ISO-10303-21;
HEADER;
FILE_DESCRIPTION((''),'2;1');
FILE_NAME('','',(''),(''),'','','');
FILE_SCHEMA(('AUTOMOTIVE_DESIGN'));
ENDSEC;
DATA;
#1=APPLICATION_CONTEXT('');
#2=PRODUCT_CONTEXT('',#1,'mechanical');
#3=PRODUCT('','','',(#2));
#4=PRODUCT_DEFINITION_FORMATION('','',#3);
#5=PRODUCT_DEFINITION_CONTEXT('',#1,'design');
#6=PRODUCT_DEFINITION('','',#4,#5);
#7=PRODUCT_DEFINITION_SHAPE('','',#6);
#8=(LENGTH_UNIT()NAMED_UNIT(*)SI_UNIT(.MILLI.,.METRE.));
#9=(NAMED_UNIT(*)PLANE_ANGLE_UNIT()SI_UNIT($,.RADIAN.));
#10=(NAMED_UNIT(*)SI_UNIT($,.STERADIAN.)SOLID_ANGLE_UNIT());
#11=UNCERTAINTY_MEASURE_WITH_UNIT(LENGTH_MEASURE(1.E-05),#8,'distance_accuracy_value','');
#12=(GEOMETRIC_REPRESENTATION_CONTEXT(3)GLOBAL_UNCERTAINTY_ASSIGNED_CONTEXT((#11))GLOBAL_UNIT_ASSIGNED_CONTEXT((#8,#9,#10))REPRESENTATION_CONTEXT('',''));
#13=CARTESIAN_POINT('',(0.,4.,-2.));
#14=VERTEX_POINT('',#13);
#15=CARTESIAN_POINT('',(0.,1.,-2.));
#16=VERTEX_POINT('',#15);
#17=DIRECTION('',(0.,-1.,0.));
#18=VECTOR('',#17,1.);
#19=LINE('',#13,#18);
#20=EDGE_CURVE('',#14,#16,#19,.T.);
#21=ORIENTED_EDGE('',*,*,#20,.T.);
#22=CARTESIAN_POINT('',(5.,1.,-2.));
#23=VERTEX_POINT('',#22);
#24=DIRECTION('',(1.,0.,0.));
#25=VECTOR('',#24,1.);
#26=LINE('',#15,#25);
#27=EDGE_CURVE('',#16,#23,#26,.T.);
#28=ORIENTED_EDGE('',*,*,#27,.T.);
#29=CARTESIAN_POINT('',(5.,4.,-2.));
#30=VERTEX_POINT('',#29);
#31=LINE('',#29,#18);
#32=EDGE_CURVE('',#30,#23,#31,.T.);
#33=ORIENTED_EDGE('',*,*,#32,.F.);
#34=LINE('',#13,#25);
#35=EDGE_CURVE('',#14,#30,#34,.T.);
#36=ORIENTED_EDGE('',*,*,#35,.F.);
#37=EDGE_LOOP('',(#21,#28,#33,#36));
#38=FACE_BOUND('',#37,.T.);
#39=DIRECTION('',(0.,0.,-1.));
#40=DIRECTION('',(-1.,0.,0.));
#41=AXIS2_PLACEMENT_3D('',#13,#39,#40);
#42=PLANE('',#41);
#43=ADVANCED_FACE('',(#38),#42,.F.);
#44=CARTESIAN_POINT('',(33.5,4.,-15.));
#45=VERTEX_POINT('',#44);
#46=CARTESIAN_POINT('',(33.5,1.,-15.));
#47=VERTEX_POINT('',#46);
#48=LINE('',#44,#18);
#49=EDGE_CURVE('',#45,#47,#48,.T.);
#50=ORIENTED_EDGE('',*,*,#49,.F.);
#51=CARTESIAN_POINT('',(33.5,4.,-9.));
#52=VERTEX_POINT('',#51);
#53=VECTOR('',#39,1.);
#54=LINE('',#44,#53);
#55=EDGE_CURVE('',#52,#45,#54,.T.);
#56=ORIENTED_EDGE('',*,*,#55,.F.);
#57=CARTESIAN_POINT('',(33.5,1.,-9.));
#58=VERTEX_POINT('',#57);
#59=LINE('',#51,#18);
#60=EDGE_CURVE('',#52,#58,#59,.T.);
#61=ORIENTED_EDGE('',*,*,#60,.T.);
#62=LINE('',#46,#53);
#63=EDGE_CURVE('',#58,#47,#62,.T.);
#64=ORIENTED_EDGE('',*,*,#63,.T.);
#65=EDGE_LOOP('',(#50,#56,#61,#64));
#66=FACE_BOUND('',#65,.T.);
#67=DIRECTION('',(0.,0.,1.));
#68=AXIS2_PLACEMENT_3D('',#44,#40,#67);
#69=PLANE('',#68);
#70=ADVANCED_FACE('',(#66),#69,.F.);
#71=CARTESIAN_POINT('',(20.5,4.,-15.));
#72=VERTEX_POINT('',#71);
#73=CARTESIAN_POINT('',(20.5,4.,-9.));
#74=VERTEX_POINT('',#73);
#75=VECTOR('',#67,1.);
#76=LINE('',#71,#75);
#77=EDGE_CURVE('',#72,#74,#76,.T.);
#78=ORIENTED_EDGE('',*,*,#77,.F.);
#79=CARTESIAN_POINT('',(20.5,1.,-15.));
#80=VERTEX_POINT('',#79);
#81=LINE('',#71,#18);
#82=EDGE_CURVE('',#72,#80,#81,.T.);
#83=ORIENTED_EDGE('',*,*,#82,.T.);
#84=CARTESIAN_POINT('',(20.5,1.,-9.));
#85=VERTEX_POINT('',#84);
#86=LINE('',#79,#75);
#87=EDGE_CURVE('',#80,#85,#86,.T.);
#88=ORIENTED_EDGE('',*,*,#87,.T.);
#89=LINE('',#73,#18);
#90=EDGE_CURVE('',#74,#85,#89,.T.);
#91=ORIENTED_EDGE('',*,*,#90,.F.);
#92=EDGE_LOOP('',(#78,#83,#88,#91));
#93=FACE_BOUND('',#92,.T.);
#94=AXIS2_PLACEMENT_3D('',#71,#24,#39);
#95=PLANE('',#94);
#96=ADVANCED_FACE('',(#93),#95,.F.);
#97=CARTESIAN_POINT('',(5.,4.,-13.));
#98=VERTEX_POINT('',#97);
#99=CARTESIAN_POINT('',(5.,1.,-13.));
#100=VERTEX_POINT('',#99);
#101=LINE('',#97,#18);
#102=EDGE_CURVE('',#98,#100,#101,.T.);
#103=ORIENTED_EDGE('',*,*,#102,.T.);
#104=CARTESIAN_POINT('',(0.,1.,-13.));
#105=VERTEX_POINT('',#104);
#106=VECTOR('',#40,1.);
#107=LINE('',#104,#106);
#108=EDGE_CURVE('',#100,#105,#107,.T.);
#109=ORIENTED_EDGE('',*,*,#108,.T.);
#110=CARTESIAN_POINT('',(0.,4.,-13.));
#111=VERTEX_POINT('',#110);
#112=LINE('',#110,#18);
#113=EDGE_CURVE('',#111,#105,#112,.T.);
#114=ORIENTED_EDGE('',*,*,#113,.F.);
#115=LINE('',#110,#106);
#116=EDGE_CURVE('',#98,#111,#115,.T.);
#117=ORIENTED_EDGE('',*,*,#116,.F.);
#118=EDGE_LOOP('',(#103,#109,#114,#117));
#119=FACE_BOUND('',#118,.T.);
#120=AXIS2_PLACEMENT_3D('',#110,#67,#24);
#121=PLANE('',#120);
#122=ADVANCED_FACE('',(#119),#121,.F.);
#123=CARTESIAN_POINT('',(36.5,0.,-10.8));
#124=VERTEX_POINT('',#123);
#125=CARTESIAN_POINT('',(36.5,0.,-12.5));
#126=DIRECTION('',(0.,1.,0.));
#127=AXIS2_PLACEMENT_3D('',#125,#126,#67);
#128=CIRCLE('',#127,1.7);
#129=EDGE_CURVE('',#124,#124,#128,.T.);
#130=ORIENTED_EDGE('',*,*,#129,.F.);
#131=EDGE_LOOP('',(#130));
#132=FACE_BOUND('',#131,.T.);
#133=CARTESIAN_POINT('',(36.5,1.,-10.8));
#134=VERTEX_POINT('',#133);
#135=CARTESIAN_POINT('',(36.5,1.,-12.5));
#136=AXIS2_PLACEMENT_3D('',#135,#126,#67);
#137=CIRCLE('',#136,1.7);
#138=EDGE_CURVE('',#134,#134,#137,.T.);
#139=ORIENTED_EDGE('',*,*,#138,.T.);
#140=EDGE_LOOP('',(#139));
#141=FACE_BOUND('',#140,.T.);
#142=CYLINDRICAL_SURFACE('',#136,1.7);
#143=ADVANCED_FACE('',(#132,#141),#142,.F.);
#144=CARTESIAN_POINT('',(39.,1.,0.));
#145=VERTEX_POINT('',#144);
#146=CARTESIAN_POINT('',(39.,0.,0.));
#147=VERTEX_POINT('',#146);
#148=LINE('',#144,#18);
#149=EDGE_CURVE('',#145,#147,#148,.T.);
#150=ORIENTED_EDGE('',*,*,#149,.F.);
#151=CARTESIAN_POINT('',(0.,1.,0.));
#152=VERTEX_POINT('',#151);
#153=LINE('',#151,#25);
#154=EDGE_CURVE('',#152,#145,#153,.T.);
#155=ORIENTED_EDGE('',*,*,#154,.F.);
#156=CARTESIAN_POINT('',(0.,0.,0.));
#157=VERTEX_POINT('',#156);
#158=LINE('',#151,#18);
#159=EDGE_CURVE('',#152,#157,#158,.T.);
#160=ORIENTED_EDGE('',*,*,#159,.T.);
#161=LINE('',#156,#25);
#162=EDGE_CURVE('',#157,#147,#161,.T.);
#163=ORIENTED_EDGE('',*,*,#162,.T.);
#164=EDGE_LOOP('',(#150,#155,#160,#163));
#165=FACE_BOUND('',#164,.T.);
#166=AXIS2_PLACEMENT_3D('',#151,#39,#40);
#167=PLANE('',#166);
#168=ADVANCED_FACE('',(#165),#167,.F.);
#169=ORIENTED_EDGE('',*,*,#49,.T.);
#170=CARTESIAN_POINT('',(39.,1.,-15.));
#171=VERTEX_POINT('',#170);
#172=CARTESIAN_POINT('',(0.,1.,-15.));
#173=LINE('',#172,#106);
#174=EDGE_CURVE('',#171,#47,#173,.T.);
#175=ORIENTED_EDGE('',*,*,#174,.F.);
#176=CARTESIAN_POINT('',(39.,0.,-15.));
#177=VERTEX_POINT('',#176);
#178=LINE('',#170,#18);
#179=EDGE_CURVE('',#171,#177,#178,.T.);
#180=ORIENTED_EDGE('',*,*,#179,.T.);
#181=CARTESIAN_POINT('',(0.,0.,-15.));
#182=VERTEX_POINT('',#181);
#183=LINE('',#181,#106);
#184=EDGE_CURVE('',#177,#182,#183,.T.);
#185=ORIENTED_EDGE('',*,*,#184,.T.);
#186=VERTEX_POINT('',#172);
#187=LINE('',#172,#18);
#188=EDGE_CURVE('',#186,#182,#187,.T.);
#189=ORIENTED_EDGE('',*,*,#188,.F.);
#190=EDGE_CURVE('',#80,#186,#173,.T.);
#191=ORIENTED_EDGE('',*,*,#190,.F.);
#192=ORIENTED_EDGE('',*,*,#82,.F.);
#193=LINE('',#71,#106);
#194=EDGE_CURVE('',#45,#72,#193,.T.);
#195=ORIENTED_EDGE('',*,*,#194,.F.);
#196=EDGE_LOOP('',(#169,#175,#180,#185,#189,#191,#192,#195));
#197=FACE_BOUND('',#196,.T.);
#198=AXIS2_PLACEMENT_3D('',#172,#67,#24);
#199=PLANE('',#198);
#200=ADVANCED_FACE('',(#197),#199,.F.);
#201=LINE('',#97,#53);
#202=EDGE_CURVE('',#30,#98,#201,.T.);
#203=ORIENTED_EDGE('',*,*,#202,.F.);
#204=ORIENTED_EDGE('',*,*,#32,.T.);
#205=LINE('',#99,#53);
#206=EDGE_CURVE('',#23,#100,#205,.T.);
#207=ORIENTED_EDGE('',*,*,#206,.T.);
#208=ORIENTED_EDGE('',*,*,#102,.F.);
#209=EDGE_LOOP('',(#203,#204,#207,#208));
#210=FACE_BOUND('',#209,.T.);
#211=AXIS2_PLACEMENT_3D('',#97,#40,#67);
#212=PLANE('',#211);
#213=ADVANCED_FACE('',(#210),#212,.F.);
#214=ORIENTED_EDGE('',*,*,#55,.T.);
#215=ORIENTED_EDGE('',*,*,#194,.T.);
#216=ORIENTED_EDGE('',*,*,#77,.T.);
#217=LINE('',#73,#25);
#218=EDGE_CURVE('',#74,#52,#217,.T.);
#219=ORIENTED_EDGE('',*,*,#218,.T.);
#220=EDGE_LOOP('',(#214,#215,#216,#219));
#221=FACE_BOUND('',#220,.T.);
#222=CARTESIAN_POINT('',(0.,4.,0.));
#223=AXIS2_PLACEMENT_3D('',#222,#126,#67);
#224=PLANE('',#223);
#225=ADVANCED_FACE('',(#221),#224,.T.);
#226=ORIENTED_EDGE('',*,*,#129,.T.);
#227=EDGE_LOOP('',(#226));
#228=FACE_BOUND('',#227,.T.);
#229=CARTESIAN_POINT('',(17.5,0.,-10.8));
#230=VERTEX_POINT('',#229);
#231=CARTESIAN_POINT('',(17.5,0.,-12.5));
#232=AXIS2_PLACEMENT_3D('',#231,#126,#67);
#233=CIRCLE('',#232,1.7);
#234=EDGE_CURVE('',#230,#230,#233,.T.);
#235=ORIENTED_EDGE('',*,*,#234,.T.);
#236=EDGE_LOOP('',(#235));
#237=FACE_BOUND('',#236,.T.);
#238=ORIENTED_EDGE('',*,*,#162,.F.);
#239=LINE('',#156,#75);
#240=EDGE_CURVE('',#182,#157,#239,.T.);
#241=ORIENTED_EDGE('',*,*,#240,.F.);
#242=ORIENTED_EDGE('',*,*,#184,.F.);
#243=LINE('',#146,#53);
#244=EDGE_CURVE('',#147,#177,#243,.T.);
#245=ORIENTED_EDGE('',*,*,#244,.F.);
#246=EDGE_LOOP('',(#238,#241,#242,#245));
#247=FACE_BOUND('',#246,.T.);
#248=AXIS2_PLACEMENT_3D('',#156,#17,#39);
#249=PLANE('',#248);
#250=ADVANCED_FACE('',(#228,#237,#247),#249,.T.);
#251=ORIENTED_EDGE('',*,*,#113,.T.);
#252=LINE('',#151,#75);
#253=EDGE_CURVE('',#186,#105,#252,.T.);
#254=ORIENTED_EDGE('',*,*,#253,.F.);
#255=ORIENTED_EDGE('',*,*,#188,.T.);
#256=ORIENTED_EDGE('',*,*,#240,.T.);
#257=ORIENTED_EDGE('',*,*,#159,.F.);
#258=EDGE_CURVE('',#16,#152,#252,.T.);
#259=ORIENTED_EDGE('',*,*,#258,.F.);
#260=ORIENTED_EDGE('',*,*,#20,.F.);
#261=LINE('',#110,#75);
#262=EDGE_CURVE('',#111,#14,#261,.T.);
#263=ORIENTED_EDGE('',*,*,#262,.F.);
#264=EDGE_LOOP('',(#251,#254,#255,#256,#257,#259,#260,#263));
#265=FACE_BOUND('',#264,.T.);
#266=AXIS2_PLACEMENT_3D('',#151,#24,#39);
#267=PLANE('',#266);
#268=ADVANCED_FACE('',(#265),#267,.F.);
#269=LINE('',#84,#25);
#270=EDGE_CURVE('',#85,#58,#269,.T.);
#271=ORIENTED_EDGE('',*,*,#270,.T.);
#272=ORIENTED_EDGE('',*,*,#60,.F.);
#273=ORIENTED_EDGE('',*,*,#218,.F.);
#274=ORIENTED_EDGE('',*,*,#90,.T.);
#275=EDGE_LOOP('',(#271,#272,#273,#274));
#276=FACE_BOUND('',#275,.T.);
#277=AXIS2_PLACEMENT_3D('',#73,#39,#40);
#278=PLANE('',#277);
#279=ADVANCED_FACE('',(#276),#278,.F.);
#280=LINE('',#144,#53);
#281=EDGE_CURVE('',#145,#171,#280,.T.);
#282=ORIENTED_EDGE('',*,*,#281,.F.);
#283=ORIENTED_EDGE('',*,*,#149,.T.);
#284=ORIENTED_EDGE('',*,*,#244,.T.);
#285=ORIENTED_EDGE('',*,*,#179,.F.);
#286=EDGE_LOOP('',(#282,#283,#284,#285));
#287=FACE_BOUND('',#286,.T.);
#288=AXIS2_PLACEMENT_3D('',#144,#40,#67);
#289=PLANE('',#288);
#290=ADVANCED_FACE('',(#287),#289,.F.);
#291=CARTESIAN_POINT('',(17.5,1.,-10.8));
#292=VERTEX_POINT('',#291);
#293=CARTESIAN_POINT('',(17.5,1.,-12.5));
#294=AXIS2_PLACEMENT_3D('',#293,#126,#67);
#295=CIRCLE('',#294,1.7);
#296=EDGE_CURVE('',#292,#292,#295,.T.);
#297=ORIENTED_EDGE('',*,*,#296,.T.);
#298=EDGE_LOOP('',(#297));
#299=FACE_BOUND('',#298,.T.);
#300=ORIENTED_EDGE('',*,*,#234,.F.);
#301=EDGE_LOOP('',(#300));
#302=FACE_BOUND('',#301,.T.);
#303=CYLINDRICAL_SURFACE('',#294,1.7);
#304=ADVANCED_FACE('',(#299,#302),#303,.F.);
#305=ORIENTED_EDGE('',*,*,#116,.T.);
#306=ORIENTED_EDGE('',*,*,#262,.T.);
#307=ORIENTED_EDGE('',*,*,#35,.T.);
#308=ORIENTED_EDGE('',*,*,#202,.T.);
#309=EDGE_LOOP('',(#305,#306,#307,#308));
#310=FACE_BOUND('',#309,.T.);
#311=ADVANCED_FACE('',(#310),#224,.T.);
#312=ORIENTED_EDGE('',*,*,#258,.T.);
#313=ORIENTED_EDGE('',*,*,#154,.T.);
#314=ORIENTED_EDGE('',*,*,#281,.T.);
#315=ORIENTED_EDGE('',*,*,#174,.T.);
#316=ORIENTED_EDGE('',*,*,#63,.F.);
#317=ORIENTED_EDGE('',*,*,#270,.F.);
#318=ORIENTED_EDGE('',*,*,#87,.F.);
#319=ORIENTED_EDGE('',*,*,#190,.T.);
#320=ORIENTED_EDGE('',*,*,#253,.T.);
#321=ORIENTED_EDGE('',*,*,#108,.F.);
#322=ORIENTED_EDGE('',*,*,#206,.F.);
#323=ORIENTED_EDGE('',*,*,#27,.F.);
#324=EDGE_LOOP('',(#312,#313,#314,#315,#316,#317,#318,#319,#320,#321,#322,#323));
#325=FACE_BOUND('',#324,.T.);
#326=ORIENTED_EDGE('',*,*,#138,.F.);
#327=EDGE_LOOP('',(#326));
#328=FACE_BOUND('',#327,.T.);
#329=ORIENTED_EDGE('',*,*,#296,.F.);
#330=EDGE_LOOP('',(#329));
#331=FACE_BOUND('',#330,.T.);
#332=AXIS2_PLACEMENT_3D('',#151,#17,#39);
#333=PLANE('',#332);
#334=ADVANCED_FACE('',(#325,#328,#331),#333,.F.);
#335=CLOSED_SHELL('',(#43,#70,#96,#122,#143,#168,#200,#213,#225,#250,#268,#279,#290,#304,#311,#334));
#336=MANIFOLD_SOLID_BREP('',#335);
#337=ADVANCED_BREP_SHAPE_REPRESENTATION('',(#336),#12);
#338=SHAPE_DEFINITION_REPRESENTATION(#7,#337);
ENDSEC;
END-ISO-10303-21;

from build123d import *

# Parameters (mm, degrees)
SKETCH1_W            = 39
SKETCH1_H            = 15
BOSS_EXTRUDE1_DEPTH  = 1
M3_CLEARANCE_HOLE1_D = 3.4
SKETCH4_W            = 13
SKETCH4_H            = 6
BOSS_EXTRUDE2_DEPTH  = 3
SKETCH5_W            = 5
SKETCH5_H            = 11
BOSS_EXTRUDE3_DEPTH  = 3


with BuildPart() as part:
    # Sketch1 → Boss-Extrude1 (new body)
    with BuildSketch(Plane(origin=(0, 0, 0), x_dir=(1, 0, 0), z_dir=(0, 1, 0))):
        with Locations((19.5, 7.5)):
            Rectangle(SKETCH1_W, SKETCH1_H)
    extrude(amount=BOSS_EXTRUDE1_DEPTH)

    # M3 Clearance Hole1 (through all)
    with Locations(Plane(origin=(0, 1, 0), x_dir=(1, 0, 0), z_dir=(0, 1, 0))):
        with Locations((36.5, 12.5), (17.5, 12.5)):
            Hole(M3_CLEARANCE_HOLE1_D / 2)

    # Sketch4 → Boss-Extrude2 (add)
    with BuildSketch(Plane(origin=(0, 1, 0), x_dir=(1, 0, 0), z_dir=(0, 1, 0))):
        with Locations((27, 12)):
            Rectangle(SKETCH4_W, SKETCH4_H)
    extrude(amount=BOSS_EXTRUDE2_DEPTH)

    # Sketch5 → Boss-Extrude3 (add)
    with BuildSketch(Plane(origin=(0, 1, 0), x_dir=(1, 0, 0), z_dir=(0, 1, 0))):
        with Locations((2.5, 7.5)):
            Rectangle(SKETCH5_W, SKETCH5_H)
    extrude(amount=BOSS_EXTRUDE3_DEPTH)


solid = part.part
